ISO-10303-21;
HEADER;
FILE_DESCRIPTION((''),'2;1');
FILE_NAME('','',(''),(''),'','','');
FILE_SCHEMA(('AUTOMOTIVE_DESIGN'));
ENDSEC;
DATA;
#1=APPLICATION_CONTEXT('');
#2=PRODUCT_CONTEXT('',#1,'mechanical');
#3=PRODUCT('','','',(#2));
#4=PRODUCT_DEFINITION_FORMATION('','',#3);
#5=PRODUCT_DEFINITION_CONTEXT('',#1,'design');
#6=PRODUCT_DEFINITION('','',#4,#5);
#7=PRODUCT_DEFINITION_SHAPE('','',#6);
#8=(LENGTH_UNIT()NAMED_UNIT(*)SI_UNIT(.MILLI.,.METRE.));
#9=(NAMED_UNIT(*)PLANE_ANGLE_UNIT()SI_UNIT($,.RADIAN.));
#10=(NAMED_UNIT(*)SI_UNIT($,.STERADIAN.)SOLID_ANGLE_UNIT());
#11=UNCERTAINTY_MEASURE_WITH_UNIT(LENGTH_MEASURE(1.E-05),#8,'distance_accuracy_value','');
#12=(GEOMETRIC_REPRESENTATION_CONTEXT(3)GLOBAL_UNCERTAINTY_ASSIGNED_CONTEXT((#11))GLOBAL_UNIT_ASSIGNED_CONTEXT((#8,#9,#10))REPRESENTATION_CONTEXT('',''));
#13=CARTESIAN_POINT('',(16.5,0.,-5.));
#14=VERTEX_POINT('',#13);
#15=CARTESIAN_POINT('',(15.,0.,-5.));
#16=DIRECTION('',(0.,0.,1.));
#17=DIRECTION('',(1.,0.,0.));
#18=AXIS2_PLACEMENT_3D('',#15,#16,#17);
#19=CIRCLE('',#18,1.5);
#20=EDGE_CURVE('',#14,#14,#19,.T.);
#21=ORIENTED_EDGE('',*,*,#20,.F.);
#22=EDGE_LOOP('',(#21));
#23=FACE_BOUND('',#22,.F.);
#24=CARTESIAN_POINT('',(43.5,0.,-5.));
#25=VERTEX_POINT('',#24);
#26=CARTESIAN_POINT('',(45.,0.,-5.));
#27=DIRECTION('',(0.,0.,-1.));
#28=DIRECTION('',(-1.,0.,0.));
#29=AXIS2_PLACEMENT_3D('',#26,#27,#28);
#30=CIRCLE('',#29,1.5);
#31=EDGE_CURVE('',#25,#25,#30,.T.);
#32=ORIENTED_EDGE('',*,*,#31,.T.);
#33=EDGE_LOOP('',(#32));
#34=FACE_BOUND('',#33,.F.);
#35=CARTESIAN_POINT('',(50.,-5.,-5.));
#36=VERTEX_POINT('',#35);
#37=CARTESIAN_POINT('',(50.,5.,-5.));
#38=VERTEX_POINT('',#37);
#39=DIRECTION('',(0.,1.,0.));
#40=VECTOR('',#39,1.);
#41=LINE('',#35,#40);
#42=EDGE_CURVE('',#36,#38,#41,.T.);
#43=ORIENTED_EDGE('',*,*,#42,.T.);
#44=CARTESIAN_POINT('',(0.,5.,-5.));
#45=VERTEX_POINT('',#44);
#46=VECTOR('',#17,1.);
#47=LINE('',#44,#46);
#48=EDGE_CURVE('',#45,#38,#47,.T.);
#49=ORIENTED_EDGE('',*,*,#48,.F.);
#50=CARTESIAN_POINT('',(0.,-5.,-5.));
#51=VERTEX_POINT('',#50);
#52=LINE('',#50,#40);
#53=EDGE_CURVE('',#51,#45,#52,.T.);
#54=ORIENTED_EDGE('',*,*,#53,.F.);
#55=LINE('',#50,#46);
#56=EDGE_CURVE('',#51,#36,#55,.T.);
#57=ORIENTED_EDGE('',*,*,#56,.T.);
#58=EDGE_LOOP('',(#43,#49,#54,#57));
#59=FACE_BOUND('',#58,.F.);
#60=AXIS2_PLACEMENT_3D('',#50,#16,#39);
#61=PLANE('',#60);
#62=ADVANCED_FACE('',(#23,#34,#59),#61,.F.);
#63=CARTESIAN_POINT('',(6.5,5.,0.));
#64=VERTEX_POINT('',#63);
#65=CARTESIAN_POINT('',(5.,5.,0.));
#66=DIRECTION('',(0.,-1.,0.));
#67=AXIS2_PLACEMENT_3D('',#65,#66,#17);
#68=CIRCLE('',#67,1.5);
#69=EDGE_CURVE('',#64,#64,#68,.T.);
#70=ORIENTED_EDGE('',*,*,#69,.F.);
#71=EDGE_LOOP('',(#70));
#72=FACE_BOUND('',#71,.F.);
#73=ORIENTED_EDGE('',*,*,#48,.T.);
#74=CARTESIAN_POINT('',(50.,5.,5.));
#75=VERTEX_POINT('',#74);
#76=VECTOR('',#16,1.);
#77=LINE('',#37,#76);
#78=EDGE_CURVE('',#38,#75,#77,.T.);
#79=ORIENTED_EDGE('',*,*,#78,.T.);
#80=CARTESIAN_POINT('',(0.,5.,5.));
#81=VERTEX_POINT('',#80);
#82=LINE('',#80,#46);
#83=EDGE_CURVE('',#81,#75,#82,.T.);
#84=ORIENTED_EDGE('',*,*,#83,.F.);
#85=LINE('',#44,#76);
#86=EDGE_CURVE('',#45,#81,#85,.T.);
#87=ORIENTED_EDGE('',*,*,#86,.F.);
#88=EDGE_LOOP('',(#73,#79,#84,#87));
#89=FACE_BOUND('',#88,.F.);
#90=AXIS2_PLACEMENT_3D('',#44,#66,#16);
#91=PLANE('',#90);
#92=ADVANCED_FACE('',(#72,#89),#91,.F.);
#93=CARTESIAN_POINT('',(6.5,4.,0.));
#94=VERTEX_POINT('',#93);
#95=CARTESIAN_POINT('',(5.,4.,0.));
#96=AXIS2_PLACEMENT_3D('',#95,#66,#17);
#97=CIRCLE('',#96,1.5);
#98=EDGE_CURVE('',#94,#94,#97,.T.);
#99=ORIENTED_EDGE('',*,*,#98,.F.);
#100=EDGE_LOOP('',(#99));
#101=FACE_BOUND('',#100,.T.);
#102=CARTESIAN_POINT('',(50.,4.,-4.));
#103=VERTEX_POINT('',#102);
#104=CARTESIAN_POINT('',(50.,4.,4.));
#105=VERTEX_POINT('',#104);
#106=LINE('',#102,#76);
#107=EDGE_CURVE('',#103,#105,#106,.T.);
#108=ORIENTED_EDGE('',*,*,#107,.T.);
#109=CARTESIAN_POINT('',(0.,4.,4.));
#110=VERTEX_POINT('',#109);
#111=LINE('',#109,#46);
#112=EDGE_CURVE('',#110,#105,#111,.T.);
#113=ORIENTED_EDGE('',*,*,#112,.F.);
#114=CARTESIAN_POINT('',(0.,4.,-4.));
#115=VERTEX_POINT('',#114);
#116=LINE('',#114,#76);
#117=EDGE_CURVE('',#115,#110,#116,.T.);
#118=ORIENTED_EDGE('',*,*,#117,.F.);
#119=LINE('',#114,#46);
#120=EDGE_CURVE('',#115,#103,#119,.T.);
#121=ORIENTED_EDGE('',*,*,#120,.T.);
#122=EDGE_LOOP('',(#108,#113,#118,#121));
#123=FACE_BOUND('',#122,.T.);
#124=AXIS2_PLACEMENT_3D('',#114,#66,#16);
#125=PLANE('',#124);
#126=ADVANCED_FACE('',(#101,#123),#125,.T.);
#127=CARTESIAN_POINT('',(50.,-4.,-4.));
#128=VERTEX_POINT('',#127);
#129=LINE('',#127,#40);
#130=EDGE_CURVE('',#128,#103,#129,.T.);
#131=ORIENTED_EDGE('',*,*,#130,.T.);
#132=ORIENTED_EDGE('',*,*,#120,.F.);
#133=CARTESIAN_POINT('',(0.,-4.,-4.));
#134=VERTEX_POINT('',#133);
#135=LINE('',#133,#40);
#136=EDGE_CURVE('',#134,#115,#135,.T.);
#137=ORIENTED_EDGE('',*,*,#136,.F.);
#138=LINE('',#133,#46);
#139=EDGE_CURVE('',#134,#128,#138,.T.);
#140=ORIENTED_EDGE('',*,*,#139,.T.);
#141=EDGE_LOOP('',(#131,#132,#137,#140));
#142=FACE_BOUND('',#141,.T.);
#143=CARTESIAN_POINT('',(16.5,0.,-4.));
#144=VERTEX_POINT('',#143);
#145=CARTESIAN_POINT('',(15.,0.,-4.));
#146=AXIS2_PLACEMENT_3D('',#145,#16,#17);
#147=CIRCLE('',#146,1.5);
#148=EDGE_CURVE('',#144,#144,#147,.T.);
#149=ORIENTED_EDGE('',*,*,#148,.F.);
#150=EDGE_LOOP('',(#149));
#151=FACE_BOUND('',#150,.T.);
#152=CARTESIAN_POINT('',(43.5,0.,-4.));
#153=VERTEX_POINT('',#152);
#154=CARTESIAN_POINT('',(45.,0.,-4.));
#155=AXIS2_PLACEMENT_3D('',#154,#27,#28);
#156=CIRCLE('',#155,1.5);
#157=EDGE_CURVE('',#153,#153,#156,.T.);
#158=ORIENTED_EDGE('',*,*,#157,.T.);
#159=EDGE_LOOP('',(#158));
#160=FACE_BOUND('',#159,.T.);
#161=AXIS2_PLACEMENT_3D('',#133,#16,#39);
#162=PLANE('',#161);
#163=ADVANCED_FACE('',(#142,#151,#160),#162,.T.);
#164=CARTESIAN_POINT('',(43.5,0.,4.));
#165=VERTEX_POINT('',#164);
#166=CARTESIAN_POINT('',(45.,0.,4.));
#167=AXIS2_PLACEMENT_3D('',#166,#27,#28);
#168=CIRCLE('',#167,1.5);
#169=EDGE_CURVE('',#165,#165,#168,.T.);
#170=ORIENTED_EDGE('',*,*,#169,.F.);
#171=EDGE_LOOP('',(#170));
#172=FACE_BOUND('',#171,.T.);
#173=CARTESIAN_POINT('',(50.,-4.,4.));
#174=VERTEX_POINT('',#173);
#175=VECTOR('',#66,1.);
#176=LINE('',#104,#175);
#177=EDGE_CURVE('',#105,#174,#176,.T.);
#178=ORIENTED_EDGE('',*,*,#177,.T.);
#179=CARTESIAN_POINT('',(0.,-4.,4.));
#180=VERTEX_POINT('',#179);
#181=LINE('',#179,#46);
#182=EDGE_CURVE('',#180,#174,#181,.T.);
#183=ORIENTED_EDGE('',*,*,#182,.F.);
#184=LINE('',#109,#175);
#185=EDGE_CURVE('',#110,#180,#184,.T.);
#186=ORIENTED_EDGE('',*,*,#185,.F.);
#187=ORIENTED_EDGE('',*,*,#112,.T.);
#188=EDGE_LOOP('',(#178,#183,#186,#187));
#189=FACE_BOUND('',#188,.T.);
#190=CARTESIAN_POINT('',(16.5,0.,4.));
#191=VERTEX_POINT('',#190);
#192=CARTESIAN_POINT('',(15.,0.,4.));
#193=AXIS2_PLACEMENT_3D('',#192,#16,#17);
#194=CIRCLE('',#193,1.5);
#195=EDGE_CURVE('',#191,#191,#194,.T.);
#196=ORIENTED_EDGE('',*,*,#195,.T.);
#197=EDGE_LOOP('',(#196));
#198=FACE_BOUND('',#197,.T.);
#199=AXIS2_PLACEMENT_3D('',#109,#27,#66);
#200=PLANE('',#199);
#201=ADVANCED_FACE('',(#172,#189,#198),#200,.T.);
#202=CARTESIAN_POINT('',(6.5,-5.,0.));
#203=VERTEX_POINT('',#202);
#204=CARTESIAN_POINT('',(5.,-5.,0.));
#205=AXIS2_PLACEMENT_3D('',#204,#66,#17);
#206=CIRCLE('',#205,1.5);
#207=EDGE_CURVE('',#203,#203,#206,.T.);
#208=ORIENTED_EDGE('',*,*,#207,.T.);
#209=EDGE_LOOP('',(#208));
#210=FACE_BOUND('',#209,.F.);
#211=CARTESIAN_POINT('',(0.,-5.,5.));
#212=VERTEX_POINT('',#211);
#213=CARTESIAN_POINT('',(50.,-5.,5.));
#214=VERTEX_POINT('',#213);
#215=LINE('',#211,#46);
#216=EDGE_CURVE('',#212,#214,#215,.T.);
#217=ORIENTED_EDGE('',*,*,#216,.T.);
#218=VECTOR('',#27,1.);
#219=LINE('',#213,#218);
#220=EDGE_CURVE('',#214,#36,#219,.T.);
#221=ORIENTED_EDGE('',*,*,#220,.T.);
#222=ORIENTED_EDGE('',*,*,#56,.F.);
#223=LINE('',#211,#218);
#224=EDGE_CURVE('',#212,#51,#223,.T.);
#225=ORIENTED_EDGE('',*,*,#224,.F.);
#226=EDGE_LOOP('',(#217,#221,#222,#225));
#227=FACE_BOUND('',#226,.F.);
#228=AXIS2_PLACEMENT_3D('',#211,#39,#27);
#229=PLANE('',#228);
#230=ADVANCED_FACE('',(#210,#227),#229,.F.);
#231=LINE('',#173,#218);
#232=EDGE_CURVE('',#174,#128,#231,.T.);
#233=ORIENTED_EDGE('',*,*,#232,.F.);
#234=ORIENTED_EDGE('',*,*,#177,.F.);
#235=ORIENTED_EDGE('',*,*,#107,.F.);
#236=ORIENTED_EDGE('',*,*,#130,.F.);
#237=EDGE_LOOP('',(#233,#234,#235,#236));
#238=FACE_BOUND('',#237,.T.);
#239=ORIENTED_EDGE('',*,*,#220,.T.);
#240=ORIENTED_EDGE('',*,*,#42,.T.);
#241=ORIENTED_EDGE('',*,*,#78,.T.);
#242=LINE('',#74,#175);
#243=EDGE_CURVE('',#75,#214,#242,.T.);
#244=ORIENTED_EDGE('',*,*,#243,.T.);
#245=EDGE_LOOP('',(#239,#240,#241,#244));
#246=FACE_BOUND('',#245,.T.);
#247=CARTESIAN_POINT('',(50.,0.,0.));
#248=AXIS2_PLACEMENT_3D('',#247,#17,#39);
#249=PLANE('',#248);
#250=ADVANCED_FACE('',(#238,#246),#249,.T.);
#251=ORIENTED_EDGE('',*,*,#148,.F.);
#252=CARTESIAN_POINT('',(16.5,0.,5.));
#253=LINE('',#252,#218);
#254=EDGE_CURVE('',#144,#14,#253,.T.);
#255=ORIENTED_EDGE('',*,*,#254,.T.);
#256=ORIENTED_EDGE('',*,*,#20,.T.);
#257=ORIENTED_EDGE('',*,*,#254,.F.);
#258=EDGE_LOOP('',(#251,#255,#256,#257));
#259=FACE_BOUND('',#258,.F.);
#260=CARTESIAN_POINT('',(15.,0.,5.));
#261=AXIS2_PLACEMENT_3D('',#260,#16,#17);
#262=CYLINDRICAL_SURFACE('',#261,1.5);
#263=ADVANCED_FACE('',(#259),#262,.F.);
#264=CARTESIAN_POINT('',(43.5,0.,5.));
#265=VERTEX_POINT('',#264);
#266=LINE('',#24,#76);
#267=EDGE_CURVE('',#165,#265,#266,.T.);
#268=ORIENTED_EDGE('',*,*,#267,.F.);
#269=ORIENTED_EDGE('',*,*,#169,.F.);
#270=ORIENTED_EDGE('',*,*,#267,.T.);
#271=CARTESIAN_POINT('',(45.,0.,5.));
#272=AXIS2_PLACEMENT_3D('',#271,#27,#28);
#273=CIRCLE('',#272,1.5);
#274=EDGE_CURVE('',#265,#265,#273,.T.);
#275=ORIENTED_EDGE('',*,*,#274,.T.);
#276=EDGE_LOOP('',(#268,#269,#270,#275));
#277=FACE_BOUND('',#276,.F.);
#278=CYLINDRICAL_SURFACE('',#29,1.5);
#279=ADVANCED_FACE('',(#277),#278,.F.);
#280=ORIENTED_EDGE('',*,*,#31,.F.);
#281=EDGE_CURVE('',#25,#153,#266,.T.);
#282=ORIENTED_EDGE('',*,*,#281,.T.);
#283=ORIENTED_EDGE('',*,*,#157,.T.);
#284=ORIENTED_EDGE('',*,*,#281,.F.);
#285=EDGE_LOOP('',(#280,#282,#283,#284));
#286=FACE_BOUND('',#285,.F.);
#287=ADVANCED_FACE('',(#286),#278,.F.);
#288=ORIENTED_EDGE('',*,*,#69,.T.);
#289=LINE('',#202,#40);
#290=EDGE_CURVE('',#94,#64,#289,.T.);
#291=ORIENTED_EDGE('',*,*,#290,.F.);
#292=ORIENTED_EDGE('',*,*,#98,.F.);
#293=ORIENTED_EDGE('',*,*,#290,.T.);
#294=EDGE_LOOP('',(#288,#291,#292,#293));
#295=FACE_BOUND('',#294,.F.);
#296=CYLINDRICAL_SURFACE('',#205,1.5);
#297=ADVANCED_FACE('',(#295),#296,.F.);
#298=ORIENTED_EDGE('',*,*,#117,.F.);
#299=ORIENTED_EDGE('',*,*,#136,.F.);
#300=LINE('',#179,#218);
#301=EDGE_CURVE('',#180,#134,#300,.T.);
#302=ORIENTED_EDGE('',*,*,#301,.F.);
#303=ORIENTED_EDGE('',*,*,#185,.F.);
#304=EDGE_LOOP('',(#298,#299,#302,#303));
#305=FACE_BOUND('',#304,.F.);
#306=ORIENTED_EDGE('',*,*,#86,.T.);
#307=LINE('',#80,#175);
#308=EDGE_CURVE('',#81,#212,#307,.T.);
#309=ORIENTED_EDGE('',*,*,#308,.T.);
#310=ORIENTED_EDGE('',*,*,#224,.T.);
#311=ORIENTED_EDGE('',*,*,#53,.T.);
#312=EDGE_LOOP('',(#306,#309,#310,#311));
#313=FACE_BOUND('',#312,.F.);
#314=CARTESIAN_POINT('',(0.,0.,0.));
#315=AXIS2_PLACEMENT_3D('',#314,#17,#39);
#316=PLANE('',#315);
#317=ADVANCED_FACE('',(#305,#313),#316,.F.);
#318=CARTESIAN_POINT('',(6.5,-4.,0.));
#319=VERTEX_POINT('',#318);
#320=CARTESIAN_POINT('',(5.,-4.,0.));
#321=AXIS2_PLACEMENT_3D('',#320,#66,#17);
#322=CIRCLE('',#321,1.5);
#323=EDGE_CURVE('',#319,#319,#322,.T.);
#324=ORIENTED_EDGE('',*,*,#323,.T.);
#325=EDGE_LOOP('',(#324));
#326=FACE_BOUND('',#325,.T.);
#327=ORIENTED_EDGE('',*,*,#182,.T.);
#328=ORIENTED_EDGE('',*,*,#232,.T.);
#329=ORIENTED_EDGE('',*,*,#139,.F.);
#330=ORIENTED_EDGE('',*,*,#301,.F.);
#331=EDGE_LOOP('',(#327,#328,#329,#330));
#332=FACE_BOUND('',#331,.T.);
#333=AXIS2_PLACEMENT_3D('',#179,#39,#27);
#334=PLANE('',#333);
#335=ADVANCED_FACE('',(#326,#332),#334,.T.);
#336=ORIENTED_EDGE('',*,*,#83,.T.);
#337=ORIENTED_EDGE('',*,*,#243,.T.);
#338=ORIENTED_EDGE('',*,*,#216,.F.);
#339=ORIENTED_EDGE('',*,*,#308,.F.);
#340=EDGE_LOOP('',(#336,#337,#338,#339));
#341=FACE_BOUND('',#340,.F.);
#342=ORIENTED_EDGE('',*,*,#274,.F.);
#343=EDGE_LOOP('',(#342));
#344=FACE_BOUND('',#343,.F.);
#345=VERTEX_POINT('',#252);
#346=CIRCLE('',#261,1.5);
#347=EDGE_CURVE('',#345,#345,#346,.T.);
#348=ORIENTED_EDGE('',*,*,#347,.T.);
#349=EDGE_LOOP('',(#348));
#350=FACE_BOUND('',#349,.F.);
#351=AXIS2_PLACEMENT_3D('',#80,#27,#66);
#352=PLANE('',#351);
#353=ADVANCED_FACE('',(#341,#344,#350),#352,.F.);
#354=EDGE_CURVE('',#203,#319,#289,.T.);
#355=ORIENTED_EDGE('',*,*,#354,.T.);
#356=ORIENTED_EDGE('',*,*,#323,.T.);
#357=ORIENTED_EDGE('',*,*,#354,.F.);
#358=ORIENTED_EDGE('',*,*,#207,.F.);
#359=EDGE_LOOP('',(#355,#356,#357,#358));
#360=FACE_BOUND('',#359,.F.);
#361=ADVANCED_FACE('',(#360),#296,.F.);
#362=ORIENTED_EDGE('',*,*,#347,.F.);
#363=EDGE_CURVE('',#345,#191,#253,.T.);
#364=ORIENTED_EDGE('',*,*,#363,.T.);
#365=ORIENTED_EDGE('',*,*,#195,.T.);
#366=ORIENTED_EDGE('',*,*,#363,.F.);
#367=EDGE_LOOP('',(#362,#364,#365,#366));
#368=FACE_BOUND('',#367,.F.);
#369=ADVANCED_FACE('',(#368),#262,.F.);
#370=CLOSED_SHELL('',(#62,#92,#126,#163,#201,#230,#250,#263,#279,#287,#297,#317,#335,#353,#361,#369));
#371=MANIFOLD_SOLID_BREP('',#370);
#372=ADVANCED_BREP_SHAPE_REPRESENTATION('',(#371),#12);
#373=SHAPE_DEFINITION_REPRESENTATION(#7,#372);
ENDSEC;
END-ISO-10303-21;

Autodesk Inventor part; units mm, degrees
ref_plane "YZ Plane" through (0, 0, 0) normal (1, 0, 0) x (0, 1, 0)
ref_plane "XZ Plane" through (0, 0, 0) normal (0, 1, 0) x (-1, 0, 0)
ref_plane "XY Plane" through (0, 0, 0) normal (0, 0, 1) x (1, 0, 0)
sketch "スケッチ1" plane through (0, 0, 0) normal (1, 0, 0) x (0, 1, 0)
  line L0 (5, 5) -> (-5, 5)
  line L1 (-5, 5) -> (-5, -5)
  line L2 (-5, -5) -> (5, -5)
  line L3 (5, -5) -> (5, 5)
  line L4 (4, 4) -> (-4, 4)
  line L5 (-4, 4) -> (-4, -4)
  line L6 (-4, -4) -> (4, -4)
  line L7 (4, -4) -> (4, 4)
  point P0 (0, 0)
  dimension "d0" = 1
  dimension "d1" = 1
  dimension "d2" = 1
  dimension "d3" = 1
  dimension "d4" = 10
  dimension "d5" = 10
  dimension "d6" = 5
  dimension "d7" = 5
extrude "押し出し1" add sketch "スケッチ1" along normal blind 50
sketch "スケッチ2" plane through (0, -5, 5) normal (0, 0, 1) x (1, 0, 0)
  circle A0 centre (15, 5) radius 1.5
  line L0 (0, 0) -> (50, 0) projected
  line L1 (0, 10) -> (0, 0) projected
  point P0 (0, 5)
  dimension "d10" = 5
  dimension "d11" = 3
  dimension "d12" = 15
extrude "押し出し2" cut sketch "スケッチ2" against normal blind 50
sketch "スケッチ3" plane through (0, -5, -5) normal (0, -1, 0) x (1, 0, 0)
  circle A0 centre (5, 5) radius 1.5
  line L0 (0, 10) -> (0, 0) projected
  line L1 (0, 0) -> (50, 0) projected
  point P0 (0, 5)
  dimension "d15" = 5
  dimension "d16" = 5
  dimension "d17" = 3
extrude "押し出し3" cut sketch "スケッチ3" against normal blind 50
sketch "スケッチ4" plane through (0, -5, -5) normal (0, 0, -1) x (-1, 0, 0)
  circle A0 centre (-45, 5) radius 1.5
  line L0 (0, 10) -> (-50, 10) projected
  line L1 (-50, 0) -> (-50, 10) projected
  point P0 (0, 5)
  dimension "d20" = 3
  dimension "d21" = 5
  dimension "d22" = 5
extrude "押し出し4" cut sketch "スケッチ4" against normal blind 50
properties part number "flontparts1" material "アルミニウム 6061"
